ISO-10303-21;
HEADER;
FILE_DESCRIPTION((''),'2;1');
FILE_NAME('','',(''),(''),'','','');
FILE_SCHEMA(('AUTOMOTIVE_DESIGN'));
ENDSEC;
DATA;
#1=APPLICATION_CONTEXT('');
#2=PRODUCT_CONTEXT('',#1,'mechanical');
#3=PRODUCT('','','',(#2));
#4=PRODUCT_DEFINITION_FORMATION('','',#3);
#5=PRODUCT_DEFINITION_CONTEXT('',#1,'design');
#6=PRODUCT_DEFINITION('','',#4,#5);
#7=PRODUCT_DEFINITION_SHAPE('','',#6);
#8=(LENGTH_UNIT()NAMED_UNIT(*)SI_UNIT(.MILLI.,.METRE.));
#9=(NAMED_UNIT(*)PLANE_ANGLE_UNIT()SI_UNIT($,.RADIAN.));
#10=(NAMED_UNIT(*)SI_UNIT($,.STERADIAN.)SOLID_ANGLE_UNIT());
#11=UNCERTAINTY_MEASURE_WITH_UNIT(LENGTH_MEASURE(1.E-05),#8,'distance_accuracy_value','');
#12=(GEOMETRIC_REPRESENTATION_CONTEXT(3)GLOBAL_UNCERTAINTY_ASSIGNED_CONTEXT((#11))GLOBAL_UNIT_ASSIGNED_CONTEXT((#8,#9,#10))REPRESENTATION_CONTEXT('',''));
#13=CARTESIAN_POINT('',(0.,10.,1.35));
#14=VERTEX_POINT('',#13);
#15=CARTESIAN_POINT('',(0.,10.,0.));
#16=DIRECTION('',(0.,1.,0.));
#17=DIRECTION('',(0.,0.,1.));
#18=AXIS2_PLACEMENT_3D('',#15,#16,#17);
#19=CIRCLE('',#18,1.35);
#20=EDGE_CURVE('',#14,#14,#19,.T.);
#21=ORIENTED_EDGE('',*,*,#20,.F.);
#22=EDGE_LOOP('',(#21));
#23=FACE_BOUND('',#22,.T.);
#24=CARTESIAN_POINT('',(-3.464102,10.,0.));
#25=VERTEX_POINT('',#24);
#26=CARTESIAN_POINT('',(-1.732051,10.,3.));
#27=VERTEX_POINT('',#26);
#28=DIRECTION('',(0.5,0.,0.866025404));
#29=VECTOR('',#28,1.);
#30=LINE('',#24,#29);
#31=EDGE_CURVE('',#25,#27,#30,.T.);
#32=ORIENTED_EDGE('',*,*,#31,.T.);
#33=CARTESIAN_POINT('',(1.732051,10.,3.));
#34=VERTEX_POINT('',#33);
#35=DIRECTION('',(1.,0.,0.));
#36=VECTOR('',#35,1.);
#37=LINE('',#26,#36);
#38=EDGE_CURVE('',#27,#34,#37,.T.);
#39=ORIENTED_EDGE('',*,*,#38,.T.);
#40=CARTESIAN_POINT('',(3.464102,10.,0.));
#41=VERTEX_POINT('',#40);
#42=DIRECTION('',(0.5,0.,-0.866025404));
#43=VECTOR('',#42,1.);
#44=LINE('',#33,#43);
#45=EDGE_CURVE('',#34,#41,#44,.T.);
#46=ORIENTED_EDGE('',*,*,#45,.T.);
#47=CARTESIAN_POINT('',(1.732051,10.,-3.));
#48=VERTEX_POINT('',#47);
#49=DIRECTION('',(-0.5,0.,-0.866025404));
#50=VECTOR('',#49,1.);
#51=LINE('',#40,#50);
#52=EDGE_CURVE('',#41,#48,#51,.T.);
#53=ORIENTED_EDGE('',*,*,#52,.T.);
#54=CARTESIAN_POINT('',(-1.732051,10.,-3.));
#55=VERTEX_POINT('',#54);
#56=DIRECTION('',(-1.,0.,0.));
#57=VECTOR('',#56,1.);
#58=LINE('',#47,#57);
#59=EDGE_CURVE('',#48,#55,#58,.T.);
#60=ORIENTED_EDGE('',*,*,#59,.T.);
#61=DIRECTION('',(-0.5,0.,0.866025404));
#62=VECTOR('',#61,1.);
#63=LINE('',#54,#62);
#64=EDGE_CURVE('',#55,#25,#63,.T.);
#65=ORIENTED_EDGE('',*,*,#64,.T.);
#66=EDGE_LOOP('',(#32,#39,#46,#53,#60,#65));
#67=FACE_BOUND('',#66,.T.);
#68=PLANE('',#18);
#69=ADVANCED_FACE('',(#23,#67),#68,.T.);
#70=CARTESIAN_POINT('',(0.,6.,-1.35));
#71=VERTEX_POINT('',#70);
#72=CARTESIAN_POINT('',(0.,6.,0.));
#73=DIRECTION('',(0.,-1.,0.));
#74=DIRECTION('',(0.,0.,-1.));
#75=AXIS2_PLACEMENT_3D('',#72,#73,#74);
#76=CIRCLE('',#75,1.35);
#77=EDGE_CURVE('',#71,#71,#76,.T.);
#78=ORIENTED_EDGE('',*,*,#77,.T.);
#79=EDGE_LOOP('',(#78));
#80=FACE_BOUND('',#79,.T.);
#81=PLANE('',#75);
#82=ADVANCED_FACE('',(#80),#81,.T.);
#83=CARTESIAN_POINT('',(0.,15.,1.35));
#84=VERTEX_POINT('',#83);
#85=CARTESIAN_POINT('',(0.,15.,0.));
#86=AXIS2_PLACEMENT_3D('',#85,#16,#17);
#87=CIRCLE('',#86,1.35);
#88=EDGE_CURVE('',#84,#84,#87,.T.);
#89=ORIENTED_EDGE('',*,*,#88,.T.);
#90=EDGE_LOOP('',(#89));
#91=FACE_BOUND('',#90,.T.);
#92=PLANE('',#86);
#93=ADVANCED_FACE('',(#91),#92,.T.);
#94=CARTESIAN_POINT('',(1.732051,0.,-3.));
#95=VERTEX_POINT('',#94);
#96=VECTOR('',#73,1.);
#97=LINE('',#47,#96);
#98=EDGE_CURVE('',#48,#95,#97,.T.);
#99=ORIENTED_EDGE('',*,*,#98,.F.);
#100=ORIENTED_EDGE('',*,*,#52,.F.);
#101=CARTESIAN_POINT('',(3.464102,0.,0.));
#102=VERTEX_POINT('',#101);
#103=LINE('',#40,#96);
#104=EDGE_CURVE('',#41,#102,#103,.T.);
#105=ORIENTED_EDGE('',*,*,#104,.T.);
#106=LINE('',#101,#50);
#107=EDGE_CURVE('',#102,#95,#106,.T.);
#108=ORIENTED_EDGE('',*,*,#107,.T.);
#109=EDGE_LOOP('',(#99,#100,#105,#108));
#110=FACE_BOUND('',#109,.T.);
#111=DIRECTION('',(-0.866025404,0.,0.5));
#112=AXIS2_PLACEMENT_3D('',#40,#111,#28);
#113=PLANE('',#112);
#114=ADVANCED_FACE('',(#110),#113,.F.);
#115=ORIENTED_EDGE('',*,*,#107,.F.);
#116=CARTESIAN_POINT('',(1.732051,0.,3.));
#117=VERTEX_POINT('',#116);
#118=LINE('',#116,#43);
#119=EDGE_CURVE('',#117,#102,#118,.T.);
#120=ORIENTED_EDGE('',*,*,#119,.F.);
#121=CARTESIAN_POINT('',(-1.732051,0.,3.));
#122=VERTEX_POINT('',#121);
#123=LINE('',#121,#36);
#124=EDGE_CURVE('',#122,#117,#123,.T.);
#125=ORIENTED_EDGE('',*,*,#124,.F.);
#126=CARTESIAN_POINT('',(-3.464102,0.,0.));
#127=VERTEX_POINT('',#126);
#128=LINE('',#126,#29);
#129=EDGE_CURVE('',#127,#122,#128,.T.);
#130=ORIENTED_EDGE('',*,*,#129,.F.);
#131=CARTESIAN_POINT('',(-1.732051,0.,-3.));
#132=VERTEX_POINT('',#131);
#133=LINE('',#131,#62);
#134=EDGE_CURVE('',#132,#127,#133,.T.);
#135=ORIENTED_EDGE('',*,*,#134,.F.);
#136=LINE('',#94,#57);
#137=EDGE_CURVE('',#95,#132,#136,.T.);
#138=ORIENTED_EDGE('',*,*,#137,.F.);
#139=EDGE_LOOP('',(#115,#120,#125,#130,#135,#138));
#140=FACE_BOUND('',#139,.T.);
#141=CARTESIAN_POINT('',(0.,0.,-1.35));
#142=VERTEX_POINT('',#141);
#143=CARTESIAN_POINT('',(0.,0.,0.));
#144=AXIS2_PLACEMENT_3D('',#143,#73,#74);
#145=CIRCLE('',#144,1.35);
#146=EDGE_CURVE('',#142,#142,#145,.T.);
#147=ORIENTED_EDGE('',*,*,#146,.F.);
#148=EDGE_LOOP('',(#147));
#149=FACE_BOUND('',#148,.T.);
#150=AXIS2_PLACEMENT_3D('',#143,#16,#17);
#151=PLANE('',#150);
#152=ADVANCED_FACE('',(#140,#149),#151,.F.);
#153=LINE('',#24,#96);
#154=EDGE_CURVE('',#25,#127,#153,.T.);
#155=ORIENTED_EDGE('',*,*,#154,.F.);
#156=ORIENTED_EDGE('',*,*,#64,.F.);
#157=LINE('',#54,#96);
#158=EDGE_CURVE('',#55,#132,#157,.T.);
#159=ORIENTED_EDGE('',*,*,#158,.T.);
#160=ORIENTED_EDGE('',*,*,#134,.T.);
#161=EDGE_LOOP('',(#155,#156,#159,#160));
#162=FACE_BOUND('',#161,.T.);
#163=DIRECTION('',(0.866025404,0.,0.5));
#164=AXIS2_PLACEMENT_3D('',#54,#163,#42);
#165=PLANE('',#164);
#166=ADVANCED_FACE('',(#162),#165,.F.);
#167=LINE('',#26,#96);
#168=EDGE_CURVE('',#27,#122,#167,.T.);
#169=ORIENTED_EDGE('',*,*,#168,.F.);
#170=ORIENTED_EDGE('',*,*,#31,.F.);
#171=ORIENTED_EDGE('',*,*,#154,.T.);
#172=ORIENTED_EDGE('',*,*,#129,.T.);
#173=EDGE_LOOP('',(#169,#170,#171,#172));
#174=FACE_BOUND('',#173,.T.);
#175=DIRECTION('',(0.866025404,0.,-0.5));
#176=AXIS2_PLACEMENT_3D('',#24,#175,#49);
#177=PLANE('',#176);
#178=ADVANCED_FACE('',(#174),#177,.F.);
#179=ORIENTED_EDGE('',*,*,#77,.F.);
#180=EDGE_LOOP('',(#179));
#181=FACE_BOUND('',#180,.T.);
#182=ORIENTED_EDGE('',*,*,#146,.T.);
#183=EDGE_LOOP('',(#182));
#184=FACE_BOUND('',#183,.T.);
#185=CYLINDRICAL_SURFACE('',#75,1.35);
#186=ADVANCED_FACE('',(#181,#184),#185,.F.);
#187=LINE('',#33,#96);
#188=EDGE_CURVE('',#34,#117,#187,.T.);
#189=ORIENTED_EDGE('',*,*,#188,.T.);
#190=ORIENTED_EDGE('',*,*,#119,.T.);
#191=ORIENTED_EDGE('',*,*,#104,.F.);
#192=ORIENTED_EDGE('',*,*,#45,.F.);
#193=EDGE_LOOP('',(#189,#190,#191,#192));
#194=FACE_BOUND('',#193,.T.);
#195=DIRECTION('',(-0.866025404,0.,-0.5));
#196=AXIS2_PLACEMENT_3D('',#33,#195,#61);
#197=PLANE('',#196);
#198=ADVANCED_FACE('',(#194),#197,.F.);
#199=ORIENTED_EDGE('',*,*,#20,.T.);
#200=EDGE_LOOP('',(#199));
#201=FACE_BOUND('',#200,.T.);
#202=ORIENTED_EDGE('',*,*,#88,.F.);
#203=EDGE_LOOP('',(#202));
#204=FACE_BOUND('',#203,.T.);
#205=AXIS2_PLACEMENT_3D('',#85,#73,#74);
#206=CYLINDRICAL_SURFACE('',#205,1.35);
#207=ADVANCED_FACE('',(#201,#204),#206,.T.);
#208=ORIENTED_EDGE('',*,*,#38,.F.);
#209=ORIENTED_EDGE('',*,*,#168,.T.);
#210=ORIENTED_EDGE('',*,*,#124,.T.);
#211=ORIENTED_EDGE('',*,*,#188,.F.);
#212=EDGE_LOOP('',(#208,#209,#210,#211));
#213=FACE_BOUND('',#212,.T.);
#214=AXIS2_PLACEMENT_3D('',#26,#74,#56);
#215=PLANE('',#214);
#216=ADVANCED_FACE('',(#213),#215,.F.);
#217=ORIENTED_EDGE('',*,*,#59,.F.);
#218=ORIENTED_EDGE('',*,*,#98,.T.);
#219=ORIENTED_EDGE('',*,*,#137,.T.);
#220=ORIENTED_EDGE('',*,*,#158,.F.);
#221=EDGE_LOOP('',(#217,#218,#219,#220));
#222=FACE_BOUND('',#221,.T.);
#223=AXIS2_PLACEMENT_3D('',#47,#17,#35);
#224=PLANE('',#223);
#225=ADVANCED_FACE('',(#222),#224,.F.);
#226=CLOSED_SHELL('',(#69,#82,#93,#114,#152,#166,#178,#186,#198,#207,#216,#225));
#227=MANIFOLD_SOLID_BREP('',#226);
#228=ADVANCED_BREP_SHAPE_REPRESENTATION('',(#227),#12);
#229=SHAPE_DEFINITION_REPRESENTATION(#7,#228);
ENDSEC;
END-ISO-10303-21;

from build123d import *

# Parameters (mm, degrees)
EXTRUDE_1_DEPTH     = 10
SKETCH_2_R          = 1.35
EXTRUDE_2_DEPTH     = 5
SKETCH_3_R          = 1.35
CUT_EXTRUDE_1_DEPTH = 6


with BuildPart() as part:
    # 스케치1 → 보스-돌출1 (new body)
    with BuildSketch(Plane(origin=(0, 0, 0), x_dir=(1, 0, 0), z_dir=(0, 1, 0))):
        Polygon((3.464101615, 0), (1.732050808, 3), (-1.732050808, 3), (-3.464101615, 0), (-1.732050808, -3), (1.732050808, -3), align=None)
    extrude(amount=EXTRUDE_1_DEPTH)

    # 스케치2 → 보스-돌출2 (add)
    with BuildSketch(Plane(origin=(0, 10, 0), x_dir=(1, 0, 0), z_dir=(0, 1, 0))):
        with Locations(Location((0, 0, 0), (0, 0, 270))):
            Circle(SKETCH_2_R)
    extrude(amount=EXTRUDE_2_DEPTH)

    # 스케치3 → 컷-돌출1 (cut)
    with BuildSketch(Plane.XZ):
        with Locations(Location((0, 0, 0), (0, 0, 90))):
            Circle(SKETCH_3_R)
    extrude(amount=-CUT_EXTRUDE_1_DEPTH, mode=Mode.SUBTRACT)


solid = part.part
